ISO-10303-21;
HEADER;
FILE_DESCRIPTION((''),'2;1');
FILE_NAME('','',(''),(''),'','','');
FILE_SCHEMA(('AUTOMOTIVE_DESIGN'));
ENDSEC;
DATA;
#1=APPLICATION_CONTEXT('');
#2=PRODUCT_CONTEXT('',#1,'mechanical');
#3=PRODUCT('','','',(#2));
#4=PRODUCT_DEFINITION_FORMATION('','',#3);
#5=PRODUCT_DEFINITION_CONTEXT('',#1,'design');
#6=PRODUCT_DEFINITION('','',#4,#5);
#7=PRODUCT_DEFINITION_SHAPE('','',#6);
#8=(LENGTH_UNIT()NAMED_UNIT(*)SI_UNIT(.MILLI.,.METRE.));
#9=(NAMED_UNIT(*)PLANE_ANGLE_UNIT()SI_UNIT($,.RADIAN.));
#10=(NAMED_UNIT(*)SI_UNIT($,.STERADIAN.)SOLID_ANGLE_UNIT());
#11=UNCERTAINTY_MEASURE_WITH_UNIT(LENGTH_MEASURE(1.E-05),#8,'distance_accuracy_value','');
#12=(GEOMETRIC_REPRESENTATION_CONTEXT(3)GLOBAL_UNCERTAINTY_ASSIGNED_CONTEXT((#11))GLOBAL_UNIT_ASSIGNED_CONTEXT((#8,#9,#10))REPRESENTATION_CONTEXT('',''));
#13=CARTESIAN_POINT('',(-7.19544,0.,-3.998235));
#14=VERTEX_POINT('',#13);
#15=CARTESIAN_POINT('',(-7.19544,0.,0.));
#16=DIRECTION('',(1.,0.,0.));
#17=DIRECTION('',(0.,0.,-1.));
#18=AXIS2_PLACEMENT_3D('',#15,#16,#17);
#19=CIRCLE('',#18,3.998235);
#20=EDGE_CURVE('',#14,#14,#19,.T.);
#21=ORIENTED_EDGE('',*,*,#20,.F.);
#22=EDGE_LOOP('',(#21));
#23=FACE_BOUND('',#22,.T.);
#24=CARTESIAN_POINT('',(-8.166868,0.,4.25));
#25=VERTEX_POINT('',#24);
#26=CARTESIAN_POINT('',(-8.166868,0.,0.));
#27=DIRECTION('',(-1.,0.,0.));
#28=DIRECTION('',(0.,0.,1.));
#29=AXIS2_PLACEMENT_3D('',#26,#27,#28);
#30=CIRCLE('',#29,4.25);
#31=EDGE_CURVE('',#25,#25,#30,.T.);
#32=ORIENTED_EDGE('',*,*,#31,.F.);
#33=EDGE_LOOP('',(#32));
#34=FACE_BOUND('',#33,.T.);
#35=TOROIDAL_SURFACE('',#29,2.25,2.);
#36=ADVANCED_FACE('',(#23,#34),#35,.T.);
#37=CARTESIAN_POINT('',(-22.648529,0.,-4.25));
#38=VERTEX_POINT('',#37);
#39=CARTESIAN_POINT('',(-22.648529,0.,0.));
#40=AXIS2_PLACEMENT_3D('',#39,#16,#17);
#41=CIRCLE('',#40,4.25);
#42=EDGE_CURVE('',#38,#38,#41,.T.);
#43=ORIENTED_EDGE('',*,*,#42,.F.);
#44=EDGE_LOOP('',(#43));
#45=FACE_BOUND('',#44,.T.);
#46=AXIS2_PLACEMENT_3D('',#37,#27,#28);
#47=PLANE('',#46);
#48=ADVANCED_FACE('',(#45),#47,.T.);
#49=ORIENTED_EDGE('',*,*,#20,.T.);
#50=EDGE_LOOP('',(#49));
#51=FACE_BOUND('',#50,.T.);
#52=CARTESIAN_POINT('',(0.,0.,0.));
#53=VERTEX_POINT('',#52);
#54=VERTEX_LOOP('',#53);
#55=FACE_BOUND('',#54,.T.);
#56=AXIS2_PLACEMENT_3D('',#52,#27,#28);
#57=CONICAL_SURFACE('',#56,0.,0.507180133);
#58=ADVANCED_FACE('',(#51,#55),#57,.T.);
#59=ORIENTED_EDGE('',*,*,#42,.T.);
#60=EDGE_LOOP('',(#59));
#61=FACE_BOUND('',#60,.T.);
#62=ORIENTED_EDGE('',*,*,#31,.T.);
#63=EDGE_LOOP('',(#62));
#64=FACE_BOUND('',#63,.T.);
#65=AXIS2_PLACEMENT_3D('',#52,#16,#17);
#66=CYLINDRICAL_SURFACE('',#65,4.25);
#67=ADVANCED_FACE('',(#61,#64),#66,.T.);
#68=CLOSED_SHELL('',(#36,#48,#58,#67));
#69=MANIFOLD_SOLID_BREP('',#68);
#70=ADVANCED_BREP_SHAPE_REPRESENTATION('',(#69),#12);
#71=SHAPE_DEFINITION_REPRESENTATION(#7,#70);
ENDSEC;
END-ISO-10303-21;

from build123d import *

# Parameters (mm, degrees)
VERRUNDUNG1_R = 2


with BuildPart() as part:
    # Skizze1 → Rotation1 (revolve)
    with BuildSketch(Plane(origin=(0, 0, 0), x_dir=(1, 0, 0), z_dir=(0, 1, 0)), mode=Mode.PRIVATE) as rotation1_sk:
        Polygon((0, 0), (-7.64852927, 4.25), (-22.64852927, 4.25), (-22.64852927, 0), align=None)
    revolve(rotation1_sk.sketch.rotate(Axis((0, 0, 0), (-1, 0, 0)), 180), axis=Axis((0, 0, 0), (-1, 0, 0)))  # turned: the seam where the file's is

    # Verrundung1
    verrundung1_edges = [part.edges().sort_by_distance(p)[0] for p in [
        (-7.64852927, 0, -4.25),
    ]]
    fillet(verrundung1_edges, radius=VERRUNDUNG1_R)


solid = part.part
